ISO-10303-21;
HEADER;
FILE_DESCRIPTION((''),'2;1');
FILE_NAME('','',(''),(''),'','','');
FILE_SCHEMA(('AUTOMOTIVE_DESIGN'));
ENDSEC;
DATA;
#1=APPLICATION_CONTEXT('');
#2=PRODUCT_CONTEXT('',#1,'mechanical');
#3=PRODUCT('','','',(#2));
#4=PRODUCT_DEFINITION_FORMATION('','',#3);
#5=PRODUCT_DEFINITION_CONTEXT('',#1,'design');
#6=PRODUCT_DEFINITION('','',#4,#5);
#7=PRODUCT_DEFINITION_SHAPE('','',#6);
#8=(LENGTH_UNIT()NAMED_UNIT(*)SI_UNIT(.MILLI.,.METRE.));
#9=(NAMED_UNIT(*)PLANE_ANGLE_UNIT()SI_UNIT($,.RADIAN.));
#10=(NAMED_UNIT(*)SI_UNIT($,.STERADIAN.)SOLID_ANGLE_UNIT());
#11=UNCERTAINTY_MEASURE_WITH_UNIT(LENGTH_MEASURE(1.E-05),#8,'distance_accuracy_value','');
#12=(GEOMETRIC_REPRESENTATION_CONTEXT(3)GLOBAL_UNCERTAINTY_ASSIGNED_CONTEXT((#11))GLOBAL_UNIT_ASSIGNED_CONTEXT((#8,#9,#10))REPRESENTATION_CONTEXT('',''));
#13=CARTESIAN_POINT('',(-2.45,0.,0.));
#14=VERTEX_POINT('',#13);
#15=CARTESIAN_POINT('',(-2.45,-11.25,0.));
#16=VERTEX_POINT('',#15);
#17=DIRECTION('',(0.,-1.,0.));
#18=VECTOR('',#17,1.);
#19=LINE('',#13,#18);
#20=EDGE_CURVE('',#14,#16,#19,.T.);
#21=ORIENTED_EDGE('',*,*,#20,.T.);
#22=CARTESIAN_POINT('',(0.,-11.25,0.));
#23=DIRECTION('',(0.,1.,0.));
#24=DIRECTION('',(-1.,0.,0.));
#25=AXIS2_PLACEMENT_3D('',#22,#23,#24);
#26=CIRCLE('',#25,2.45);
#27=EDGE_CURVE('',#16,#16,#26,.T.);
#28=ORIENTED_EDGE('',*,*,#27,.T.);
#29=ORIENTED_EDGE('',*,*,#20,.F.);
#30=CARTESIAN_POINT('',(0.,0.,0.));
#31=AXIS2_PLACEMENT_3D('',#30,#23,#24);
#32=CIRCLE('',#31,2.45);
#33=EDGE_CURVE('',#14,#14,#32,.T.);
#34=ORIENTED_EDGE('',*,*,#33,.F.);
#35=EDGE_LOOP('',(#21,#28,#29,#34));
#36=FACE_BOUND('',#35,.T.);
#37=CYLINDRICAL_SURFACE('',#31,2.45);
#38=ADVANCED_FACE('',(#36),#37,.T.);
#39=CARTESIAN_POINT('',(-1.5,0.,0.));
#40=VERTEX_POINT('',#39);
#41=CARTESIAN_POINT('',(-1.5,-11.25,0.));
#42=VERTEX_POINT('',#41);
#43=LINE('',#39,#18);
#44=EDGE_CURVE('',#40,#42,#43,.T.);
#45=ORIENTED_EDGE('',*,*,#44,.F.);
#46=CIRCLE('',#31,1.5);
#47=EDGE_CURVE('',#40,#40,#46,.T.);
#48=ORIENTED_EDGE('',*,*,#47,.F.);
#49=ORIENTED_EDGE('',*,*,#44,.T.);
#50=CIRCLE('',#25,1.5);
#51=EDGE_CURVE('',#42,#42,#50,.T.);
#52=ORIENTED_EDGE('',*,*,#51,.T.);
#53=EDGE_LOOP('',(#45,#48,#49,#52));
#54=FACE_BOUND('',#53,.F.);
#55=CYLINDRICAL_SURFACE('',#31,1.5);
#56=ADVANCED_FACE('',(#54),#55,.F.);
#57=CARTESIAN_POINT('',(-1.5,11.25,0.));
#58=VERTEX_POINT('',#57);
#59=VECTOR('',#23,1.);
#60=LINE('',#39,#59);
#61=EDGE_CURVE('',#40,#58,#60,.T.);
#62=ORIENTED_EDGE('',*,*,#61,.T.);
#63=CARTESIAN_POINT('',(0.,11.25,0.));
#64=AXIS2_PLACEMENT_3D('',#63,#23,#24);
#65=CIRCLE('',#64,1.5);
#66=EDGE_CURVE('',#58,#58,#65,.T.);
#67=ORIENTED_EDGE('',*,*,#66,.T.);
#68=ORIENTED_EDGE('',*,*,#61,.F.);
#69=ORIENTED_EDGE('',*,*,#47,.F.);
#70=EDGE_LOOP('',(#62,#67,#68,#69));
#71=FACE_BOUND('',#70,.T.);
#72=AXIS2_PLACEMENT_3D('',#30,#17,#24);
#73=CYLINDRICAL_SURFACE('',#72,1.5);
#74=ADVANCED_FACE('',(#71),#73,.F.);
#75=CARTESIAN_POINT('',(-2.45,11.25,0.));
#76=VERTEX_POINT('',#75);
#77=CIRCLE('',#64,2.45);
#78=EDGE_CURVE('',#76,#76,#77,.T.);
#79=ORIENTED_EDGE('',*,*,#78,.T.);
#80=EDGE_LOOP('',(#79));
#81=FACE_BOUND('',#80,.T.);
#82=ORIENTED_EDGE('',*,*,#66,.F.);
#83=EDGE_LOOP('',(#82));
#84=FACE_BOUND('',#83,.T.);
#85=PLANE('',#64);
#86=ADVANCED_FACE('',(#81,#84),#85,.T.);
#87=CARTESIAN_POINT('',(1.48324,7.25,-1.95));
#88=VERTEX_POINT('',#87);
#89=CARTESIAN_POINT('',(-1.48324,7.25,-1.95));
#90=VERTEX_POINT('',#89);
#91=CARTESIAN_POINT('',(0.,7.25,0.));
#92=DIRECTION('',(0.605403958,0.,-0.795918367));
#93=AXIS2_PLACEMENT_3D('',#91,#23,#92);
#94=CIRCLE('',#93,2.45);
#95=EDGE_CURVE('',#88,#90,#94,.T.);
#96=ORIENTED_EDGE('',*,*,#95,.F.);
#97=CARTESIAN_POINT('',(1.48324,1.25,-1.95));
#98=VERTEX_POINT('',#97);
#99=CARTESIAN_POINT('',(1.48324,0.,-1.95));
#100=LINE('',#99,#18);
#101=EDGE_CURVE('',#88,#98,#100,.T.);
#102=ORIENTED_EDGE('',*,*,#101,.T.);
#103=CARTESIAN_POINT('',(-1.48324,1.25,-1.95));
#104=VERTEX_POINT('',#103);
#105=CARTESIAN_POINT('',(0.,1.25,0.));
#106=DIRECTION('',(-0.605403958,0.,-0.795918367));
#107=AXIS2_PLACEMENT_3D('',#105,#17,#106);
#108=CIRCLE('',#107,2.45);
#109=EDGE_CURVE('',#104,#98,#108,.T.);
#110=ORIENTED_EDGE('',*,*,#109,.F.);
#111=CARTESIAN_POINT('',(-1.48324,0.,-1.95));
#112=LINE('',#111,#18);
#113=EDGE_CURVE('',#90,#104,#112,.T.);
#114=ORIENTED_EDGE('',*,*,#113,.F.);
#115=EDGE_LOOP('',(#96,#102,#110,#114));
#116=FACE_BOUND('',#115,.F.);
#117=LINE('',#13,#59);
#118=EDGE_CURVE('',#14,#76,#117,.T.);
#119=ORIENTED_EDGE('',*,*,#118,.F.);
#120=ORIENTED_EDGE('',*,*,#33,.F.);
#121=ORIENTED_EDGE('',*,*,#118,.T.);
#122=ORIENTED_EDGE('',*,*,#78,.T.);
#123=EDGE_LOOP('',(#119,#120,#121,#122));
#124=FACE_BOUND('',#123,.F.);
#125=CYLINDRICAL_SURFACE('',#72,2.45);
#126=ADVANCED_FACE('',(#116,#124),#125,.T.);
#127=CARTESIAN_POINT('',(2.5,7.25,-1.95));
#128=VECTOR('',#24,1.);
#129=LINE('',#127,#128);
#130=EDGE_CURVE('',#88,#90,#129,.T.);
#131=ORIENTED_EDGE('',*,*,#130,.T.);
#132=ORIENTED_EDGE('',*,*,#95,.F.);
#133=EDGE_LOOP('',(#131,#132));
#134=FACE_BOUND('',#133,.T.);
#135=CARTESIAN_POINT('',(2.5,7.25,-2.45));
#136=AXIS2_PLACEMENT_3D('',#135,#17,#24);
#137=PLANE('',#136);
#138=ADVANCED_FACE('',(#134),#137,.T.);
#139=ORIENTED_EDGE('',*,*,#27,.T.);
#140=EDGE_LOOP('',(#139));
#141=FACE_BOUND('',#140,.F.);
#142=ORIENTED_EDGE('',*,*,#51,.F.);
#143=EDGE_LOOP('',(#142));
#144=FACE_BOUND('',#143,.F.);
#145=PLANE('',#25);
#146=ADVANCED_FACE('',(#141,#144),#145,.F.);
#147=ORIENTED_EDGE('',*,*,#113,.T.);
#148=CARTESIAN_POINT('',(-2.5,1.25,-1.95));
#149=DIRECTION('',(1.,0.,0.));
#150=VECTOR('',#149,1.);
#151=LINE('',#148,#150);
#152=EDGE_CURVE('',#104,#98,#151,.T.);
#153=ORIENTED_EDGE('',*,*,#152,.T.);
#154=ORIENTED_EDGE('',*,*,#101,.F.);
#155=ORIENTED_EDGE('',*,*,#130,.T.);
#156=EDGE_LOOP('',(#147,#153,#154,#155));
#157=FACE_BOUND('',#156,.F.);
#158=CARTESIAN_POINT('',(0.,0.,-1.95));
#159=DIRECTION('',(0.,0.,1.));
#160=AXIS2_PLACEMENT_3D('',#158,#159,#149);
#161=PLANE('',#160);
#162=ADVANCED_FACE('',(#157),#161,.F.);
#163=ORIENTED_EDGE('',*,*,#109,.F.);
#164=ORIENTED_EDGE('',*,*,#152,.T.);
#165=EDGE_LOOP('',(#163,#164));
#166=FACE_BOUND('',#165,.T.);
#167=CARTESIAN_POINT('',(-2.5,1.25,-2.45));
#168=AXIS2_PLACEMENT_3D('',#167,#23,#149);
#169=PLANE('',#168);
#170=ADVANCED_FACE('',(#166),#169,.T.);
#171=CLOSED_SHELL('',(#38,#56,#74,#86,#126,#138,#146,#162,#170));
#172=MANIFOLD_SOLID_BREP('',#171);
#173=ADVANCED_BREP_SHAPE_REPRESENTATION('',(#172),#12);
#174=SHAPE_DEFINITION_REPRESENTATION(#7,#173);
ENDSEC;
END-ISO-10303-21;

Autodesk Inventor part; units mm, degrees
ref_plane "YZ Plane" through (0, 0, 0) normal (1, 0, 0) x (0, 1, 0)
ref_plane "XZ Plane" through (0, 0, 0) normal (0, 1, 0) x (-1, 0, 0)
sketch "Sketch1" plane through (0, 0, 0) normal (0, 1, 0) x (-1, 0, 0)
  circle A0 centre (0, 0) radius 2.45
  circle A1 centre (0, 0) radius 1.5
  dimension "d0" = 4.9
  dimension "d1" = 3
extrude "Extrusion1" add sketch "Sketch1" along normal mid plane 22.5
ref_plane "Work Plane1" through (0, 0, -2.45) normal (0, 0, 1) x (1, 0, 0)
sketch "Sketch2" plane through (0, 0, -2.45) normal (0, 0, 1) x (1, 0, 0)
  line L0 (2.5, 7.25) -> (-2.5, 7.25)
  line L1 (-2.5, 7.25) -> (-2.5, 1.25)
  line L2 (-2.5, 1.25) -> (2.5, 1.25)
  line L3 (2.5, 1.25) -> (2.5, 7.25)
  line L4 (2.45, 11.25) -> (-2.45, 11.25) projected
  point P0 (0, 0)
  point P1 (0, 7.25)
  dimension "d4" = 6
  dimension "d6" = 4
  dimension "d7" = 5
extrude "Extrusion2" cut sketch "Sketch2" along normal blind 0.5
properties part number "PulleyShaft"
